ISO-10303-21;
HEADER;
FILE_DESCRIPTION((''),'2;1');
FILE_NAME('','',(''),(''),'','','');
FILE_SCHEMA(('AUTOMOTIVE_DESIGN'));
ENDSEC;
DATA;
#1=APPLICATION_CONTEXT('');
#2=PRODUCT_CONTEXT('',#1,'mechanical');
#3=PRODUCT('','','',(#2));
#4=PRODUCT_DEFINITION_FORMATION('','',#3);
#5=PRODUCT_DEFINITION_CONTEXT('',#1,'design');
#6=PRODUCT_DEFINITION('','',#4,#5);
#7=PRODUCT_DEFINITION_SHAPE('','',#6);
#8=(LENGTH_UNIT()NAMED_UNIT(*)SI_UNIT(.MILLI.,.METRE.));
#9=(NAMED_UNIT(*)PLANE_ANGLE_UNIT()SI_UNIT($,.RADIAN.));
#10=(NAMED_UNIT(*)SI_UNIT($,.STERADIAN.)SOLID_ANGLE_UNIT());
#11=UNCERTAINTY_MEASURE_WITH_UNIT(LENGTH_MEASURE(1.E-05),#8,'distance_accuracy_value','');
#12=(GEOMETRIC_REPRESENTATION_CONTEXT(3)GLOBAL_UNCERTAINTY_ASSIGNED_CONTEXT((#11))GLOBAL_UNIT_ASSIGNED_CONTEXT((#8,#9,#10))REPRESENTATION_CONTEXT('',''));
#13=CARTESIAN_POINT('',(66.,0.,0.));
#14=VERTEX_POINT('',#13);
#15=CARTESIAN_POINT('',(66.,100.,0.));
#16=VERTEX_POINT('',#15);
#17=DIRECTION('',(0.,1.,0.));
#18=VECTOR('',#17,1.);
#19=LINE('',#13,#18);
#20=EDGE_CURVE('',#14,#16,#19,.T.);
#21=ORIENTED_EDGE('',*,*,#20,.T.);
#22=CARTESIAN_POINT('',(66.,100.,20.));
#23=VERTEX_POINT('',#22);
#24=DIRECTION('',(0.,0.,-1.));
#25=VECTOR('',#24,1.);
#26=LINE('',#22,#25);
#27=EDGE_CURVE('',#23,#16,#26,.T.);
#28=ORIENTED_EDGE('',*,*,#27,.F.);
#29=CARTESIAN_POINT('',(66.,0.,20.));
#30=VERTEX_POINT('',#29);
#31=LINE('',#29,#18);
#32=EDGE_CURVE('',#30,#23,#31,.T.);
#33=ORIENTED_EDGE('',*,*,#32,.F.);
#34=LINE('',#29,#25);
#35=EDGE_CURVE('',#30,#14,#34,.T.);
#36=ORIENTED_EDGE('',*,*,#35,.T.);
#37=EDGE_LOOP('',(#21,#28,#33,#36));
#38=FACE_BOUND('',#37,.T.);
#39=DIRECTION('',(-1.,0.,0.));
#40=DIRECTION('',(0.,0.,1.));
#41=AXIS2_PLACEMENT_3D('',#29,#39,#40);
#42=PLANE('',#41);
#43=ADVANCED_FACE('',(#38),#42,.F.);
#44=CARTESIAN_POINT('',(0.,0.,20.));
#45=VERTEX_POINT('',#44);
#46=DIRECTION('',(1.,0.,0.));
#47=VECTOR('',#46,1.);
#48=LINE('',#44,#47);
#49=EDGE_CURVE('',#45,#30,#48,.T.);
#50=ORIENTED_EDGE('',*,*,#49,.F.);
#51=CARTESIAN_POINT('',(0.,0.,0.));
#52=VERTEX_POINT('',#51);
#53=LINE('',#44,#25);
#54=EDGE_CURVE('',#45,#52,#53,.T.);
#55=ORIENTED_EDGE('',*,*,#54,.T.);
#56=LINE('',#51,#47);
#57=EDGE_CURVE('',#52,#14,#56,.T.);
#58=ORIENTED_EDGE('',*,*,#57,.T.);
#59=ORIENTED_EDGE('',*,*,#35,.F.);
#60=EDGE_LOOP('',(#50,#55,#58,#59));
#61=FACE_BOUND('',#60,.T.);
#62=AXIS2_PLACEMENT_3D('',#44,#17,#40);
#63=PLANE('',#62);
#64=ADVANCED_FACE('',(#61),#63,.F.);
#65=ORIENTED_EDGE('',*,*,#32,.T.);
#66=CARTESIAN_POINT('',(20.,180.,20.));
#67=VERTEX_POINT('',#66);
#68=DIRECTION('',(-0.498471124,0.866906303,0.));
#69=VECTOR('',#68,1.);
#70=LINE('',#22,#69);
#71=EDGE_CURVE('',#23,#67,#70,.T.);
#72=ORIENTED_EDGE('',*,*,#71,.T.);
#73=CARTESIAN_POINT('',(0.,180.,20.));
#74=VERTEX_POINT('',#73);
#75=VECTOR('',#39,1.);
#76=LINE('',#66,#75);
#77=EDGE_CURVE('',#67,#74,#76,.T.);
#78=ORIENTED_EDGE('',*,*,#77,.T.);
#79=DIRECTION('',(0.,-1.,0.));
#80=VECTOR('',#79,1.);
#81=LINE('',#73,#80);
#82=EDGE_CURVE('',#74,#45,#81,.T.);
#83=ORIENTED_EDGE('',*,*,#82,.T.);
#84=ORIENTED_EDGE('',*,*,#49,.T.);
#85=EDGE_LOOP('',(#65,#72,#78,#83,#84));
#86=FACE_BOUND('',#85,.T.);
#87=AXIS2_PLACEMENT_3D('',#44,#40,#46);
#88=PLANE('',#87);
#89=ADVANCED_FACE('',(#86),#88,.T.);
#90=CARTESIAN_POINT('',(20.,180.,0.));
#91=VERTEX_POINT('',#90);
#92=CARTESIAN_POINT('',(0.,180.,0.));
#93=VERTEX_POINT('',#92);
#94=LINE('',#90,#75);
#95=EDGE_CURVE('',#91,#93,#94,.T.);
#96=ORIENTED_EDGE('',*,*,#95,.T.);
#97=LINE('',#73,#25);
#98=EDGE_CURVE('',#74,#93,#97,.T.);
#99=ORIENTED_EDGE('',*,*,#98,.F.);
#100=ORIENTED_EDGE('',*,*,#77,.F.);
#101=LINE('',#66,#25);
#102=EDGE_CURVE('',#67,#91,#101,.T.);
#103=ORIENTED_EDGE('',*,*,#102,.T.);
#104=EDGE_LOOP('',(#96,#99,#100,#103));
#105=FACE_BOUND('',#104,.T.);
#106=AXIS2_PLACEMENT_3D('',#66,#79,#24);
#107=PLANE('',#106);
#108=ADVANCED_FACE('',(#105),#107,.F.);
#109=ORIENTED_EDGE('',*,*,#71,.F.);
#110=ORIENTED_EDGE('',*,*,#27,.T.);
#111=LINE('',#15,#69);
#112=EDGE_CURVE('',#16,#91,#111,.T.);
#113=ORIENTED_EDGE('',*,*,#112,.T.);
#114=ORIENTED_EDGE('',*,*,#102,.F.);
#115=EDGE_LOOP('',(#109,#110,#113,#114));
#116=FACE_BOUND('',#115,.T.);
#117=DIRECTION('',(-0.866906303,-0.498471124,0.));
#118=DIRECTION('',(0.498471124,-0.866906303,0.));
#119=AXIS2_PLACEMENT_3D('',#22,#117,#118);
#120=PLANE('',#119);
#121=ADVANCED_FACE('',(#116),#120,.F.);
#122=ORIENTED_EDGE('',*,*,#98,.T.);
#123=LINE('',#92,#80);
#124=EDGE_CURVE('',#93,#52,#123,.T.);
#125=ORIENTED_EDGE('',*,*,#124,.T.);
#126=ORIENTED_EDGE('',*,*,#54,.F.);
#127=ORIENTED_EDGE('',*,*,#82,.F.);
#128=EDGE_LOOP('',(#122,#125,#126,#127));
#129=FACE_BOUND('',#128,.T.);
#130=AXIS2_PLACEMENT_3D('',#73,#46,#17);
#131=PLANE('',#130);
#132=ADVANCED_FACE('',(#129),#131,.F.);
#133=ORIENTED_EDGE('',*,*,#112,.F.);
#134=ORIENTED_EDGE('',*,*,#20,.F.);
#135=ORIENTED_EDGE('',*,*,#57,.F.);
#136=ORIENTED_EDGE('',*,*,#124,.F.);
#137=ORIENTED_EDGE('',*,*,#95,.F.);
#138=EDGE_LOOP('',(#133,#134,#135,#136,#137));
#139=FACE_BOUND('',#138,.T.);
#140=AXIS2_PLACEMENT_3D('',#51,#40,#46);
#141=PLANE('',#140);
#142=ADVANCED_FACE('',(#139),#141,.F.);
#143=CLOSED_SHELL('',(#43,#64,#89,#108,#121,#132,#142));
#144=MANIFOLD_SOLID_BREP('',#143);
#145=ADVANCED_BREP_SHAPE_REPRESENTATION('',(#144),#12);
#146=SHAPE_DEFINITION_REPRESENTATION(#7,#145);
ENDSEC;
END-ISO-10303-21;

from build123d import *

# Parameters (mm, degrees)
EXTRUDE1_DEPTH = 20


with BuildPart() as part:
    # Sketch1 → Extrude1 (new body)
    with BuildSketch(Plane.XY):
        Polygon((0, 0), (66, 0), (66, 100), (20, 180), (0, 180), align=None)
    extrude(amount=EXTRUDE1_DEPTH)


solid = part.part
